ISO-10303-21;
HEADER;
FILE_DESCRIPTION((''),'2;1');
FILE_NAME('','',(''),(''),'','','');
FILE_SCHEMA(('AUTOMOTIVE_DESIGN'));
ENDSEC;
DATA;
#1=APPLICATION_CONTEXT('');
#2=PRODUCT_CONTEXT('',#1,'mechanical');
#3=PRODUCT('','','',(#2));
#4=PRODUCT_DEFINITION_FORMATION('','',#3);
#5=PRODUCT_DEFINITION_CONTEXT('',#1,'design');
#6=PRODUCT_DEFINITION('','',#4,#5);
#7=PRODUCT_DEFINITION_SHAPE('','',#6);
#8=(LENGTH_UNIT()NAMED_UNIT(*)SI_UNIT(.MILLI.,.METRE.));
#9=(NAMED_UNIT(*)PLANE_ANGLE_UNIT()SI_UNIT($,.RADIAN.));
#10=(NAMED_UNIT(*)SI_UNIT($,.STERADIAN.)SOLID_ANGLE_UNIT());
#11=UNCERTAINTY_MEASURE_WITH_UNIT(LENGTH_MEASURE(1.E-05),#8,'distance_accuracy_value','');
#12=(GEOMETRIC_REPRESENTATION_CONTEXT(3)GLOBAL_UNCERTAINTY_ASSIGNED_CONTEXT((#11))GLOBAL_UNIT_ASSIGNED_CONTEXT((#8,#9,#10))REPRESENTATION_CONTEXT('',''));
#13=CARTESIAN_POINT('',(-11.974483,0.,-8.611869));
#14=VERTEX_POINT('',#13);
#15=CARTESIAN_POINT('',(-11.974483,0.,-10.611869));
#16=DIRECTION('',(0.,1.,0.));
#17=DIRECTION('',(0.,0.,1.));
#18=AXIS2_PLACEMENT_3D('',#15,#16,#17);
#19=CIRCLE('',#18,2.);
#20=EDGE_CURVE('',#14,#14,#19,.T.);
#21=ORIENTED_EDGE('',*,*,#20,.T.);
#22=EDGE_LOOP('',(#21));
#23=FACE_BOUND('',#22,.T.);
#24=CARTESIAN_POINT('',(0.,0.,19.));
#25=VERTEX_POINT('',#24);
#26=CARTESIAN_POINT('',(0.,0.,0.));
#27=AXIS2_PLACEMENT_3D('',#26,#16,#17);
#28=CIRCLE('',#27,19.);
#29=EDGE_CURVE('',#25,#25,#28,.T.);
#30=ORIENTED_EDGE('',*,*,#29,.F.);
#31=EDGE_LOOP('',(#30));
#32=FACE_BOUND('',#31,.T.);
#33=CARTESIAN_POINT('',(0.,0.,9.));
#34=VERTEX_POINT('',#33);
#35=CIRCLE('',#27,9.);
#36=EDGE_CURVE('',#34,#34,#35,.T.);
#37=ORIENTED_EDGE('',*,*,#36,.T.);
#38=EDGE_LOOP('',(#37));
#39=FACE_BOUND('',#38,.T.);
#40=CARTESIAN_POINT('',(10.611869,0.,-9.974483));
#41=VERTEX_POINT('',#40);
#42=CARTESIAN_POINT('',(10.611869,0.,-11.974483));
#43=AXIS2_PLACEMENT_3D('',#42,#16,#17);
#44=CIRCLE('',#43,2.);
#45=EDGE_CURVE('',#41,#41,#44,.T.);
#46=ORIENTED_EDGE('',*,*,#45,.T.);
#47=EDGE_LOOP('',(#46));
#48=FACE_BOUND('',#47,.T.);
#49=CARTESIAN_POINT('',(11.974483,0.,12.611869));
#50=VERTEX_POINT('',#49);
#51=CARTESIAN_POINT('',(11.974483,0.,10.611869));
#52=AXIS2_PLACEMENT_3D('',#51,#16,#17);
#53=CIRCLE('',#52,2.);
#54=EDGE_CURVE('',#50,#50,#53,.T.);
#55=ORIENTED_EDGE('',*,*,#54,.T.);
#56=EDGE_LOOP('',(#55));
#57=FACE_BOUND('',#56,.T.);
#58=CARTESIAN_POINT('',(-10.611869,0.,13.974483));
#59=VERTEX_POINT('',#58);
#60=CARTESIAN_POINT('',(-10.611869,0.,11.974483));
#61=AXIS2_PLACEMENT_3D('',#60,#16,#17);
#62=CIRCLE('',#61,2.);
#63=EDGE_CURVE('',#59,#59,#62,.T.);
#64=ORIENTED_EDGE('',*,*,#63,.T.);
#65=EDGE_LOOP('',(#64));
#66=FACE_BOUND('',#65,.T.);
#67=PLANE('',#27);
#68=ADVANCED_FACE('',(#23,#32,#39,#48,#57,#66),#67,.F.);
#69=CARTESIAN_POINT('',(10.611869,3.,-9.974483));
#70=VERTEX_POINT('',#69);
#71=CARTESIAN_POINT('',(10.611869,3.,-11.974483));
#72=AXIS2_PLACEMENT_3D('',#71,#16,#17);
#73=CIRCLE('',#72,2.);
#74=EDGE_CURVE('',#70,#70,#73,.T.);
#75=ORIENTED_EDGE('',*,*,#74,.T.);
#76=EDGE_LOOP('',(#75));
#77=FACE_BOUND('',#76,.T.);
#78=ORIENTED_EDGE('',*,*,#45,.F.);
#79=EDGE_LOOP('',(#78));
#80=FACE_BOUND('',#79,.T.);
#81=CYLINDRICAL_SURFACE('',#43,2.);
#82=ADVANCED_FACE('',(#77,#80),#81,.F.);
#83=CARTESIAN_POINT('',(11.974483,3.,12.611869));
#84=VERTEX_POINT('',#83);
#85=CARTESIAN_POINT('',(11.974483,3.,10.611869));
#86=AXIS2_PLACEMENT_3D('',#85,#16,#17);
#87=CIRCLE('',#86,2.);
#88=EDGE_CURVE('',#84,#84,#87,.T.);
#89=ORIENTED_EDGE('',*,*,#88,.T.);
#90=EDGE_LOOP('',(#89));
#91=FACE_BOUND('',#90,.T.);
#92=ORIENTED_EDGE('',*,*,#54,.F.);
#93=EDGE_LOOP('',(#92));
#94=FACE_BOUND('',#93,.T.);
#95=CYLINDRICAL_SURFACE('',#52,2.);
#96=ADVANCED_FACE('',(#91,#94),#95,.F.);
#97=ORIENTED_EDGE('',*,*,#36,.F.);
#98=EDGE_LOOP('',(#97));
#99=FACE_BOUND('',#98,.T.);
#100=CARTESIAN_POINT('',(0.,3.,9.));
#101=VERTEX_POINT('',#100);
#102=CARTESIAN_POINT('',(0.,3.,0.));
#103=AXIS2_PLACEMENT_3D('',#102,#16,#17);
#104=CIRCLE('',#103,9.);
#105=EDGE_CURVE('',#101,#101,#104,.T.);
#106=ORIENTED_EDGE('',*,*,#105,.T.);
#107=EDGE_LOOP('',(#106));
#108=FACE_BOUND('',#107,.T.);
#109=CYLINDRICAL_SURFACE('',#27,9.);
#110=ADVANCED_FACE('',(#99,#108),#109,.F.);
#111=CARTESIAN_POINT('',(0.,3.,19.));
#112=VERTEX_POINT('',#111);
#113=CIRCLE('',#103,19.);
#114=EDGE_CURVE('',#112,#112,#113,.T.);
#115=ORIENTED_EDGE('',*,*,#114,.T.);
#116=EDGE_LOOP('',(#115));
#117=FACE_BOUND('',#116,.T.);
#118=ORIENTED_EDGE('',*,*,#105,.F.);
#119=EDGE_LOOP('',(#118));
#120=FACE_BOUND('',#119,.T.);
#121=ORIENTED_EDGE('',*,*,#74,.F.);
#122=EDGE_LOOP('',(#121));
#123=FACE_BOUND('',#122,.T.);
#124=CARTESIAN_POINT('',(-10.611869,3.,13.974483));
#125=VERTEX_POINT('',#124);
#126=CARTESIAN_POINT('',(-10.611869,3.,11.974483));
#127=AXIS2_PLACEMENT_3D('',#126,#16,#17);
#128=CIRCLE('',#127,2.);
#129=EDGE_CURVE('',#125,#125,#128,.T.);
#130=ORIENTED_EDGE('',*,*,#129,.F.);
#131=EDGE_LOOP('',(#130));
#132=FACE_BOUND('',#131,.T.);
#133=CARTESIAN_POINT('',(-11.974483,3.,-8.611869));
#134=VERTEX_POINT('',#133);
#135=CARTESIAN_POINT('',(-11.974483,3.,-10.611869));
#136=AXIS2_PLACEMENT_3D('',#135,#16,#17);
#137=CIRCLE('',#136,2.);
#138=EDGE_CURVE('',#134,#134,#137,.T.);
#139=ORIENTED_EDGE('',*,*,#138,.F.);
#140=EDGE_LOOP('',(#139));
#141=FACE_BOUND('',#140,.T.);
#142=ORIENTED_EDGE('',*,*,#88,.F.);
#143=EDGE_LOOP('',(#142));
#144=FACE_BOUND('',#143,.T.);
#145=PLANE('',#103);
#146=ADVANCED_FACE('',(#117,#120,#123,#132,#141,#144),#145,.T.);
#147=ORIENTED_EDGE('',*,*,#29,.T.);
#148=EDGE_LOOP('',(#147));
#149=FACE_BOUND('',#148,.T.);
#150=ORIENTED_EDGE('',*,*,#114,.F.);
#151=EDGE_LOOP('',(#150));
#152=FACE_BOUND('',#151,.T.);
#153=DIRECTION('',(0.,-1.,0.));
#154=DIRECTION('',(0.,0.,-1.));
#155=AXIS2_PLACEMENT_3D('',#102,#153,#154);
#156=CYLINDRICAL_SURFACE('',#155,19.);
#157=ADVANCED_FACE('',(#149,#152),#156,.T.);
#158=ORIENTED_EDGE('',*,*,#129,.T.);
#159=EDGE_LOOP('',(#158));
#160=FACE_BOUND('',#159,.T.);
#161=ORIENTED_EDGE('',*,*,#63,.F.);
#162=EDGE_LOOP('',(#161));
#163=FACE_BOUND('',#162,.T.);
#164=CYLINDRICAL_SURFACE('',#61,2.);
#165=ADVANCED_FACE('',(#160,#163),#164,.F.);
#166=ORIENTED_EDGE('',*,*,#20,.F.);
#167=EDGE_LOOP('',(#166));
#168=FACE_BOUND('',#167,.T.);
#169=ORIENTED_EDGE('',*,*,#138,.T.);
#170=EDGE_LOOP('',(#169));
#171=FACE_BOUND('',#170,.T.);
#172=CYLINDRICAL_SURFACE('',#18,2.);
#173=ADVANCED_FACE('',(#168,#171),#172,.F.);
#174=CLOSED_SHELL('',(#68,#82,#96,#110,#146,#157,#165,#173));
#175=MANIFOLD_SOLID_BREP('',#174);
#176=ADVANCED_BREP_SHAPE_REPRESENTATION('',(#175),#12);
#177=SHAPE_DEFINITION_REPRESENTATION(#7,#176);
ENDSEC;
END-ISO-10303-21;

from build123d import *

# Parameters (mm, degrees)
SKETCH1_R           = 19
BOSS_EXTRUDE1_DEPTH = 3
SKETCH2_R           = 2
CUT_EXTRUDE1_DEPTH  = 3
SKETCH3_R           = 9
CUT_EXTRUDE2_DEPTH  = 3


with BuildPart() as part:
    # Sketch1 → Boss-Extrude1 (new body)
    with BuildSketch(Plane(origin=(0, 0, 0), x_dir=(1, 0, 0), z_dir=(0, 1, 0))):
        Circle(SKETCH1_R)
    extrude(amount=BOSS_EXTRUDE1_DEPTH)

    # Sketch2 → Cut-Extrude1 (cut)
    with BuildSketch(Plane(origin=(0, 3, 0), x_dir=(1, 0, 0), z_dir=(0, 1, 0))):
        with Locations((-11.974482975, 10.611868708)):
            Circle(SKETCH2_R)
        with Locations((10.611868708, 11.974482975)):
            Circle(SKETCH2_R)
        with Locations((11.974482975, -10.611868708)):
            Circle(SKETCH2_R)
        with Locations((-10.611868708, -11.974482975)):
            Circle(SKETCH2_R)
    extrude(amount=-CUT_EXTRUDE1_DEPTH, mode=Mode.SUBTRACT)

    # Sketch3 → Cut-Extrude2 (cut)
    with BuildSketch(Plane(origin=(0, 3, 0), x_dir=(1, 0, 0), z_dir=(0, 1, 0))):
        Circle(SKETCH3_R)
    extrude(amount=-CUT_EXTRUDE2_DEPTH, mode=Mode.SUBTRACT)


solid = part.part
